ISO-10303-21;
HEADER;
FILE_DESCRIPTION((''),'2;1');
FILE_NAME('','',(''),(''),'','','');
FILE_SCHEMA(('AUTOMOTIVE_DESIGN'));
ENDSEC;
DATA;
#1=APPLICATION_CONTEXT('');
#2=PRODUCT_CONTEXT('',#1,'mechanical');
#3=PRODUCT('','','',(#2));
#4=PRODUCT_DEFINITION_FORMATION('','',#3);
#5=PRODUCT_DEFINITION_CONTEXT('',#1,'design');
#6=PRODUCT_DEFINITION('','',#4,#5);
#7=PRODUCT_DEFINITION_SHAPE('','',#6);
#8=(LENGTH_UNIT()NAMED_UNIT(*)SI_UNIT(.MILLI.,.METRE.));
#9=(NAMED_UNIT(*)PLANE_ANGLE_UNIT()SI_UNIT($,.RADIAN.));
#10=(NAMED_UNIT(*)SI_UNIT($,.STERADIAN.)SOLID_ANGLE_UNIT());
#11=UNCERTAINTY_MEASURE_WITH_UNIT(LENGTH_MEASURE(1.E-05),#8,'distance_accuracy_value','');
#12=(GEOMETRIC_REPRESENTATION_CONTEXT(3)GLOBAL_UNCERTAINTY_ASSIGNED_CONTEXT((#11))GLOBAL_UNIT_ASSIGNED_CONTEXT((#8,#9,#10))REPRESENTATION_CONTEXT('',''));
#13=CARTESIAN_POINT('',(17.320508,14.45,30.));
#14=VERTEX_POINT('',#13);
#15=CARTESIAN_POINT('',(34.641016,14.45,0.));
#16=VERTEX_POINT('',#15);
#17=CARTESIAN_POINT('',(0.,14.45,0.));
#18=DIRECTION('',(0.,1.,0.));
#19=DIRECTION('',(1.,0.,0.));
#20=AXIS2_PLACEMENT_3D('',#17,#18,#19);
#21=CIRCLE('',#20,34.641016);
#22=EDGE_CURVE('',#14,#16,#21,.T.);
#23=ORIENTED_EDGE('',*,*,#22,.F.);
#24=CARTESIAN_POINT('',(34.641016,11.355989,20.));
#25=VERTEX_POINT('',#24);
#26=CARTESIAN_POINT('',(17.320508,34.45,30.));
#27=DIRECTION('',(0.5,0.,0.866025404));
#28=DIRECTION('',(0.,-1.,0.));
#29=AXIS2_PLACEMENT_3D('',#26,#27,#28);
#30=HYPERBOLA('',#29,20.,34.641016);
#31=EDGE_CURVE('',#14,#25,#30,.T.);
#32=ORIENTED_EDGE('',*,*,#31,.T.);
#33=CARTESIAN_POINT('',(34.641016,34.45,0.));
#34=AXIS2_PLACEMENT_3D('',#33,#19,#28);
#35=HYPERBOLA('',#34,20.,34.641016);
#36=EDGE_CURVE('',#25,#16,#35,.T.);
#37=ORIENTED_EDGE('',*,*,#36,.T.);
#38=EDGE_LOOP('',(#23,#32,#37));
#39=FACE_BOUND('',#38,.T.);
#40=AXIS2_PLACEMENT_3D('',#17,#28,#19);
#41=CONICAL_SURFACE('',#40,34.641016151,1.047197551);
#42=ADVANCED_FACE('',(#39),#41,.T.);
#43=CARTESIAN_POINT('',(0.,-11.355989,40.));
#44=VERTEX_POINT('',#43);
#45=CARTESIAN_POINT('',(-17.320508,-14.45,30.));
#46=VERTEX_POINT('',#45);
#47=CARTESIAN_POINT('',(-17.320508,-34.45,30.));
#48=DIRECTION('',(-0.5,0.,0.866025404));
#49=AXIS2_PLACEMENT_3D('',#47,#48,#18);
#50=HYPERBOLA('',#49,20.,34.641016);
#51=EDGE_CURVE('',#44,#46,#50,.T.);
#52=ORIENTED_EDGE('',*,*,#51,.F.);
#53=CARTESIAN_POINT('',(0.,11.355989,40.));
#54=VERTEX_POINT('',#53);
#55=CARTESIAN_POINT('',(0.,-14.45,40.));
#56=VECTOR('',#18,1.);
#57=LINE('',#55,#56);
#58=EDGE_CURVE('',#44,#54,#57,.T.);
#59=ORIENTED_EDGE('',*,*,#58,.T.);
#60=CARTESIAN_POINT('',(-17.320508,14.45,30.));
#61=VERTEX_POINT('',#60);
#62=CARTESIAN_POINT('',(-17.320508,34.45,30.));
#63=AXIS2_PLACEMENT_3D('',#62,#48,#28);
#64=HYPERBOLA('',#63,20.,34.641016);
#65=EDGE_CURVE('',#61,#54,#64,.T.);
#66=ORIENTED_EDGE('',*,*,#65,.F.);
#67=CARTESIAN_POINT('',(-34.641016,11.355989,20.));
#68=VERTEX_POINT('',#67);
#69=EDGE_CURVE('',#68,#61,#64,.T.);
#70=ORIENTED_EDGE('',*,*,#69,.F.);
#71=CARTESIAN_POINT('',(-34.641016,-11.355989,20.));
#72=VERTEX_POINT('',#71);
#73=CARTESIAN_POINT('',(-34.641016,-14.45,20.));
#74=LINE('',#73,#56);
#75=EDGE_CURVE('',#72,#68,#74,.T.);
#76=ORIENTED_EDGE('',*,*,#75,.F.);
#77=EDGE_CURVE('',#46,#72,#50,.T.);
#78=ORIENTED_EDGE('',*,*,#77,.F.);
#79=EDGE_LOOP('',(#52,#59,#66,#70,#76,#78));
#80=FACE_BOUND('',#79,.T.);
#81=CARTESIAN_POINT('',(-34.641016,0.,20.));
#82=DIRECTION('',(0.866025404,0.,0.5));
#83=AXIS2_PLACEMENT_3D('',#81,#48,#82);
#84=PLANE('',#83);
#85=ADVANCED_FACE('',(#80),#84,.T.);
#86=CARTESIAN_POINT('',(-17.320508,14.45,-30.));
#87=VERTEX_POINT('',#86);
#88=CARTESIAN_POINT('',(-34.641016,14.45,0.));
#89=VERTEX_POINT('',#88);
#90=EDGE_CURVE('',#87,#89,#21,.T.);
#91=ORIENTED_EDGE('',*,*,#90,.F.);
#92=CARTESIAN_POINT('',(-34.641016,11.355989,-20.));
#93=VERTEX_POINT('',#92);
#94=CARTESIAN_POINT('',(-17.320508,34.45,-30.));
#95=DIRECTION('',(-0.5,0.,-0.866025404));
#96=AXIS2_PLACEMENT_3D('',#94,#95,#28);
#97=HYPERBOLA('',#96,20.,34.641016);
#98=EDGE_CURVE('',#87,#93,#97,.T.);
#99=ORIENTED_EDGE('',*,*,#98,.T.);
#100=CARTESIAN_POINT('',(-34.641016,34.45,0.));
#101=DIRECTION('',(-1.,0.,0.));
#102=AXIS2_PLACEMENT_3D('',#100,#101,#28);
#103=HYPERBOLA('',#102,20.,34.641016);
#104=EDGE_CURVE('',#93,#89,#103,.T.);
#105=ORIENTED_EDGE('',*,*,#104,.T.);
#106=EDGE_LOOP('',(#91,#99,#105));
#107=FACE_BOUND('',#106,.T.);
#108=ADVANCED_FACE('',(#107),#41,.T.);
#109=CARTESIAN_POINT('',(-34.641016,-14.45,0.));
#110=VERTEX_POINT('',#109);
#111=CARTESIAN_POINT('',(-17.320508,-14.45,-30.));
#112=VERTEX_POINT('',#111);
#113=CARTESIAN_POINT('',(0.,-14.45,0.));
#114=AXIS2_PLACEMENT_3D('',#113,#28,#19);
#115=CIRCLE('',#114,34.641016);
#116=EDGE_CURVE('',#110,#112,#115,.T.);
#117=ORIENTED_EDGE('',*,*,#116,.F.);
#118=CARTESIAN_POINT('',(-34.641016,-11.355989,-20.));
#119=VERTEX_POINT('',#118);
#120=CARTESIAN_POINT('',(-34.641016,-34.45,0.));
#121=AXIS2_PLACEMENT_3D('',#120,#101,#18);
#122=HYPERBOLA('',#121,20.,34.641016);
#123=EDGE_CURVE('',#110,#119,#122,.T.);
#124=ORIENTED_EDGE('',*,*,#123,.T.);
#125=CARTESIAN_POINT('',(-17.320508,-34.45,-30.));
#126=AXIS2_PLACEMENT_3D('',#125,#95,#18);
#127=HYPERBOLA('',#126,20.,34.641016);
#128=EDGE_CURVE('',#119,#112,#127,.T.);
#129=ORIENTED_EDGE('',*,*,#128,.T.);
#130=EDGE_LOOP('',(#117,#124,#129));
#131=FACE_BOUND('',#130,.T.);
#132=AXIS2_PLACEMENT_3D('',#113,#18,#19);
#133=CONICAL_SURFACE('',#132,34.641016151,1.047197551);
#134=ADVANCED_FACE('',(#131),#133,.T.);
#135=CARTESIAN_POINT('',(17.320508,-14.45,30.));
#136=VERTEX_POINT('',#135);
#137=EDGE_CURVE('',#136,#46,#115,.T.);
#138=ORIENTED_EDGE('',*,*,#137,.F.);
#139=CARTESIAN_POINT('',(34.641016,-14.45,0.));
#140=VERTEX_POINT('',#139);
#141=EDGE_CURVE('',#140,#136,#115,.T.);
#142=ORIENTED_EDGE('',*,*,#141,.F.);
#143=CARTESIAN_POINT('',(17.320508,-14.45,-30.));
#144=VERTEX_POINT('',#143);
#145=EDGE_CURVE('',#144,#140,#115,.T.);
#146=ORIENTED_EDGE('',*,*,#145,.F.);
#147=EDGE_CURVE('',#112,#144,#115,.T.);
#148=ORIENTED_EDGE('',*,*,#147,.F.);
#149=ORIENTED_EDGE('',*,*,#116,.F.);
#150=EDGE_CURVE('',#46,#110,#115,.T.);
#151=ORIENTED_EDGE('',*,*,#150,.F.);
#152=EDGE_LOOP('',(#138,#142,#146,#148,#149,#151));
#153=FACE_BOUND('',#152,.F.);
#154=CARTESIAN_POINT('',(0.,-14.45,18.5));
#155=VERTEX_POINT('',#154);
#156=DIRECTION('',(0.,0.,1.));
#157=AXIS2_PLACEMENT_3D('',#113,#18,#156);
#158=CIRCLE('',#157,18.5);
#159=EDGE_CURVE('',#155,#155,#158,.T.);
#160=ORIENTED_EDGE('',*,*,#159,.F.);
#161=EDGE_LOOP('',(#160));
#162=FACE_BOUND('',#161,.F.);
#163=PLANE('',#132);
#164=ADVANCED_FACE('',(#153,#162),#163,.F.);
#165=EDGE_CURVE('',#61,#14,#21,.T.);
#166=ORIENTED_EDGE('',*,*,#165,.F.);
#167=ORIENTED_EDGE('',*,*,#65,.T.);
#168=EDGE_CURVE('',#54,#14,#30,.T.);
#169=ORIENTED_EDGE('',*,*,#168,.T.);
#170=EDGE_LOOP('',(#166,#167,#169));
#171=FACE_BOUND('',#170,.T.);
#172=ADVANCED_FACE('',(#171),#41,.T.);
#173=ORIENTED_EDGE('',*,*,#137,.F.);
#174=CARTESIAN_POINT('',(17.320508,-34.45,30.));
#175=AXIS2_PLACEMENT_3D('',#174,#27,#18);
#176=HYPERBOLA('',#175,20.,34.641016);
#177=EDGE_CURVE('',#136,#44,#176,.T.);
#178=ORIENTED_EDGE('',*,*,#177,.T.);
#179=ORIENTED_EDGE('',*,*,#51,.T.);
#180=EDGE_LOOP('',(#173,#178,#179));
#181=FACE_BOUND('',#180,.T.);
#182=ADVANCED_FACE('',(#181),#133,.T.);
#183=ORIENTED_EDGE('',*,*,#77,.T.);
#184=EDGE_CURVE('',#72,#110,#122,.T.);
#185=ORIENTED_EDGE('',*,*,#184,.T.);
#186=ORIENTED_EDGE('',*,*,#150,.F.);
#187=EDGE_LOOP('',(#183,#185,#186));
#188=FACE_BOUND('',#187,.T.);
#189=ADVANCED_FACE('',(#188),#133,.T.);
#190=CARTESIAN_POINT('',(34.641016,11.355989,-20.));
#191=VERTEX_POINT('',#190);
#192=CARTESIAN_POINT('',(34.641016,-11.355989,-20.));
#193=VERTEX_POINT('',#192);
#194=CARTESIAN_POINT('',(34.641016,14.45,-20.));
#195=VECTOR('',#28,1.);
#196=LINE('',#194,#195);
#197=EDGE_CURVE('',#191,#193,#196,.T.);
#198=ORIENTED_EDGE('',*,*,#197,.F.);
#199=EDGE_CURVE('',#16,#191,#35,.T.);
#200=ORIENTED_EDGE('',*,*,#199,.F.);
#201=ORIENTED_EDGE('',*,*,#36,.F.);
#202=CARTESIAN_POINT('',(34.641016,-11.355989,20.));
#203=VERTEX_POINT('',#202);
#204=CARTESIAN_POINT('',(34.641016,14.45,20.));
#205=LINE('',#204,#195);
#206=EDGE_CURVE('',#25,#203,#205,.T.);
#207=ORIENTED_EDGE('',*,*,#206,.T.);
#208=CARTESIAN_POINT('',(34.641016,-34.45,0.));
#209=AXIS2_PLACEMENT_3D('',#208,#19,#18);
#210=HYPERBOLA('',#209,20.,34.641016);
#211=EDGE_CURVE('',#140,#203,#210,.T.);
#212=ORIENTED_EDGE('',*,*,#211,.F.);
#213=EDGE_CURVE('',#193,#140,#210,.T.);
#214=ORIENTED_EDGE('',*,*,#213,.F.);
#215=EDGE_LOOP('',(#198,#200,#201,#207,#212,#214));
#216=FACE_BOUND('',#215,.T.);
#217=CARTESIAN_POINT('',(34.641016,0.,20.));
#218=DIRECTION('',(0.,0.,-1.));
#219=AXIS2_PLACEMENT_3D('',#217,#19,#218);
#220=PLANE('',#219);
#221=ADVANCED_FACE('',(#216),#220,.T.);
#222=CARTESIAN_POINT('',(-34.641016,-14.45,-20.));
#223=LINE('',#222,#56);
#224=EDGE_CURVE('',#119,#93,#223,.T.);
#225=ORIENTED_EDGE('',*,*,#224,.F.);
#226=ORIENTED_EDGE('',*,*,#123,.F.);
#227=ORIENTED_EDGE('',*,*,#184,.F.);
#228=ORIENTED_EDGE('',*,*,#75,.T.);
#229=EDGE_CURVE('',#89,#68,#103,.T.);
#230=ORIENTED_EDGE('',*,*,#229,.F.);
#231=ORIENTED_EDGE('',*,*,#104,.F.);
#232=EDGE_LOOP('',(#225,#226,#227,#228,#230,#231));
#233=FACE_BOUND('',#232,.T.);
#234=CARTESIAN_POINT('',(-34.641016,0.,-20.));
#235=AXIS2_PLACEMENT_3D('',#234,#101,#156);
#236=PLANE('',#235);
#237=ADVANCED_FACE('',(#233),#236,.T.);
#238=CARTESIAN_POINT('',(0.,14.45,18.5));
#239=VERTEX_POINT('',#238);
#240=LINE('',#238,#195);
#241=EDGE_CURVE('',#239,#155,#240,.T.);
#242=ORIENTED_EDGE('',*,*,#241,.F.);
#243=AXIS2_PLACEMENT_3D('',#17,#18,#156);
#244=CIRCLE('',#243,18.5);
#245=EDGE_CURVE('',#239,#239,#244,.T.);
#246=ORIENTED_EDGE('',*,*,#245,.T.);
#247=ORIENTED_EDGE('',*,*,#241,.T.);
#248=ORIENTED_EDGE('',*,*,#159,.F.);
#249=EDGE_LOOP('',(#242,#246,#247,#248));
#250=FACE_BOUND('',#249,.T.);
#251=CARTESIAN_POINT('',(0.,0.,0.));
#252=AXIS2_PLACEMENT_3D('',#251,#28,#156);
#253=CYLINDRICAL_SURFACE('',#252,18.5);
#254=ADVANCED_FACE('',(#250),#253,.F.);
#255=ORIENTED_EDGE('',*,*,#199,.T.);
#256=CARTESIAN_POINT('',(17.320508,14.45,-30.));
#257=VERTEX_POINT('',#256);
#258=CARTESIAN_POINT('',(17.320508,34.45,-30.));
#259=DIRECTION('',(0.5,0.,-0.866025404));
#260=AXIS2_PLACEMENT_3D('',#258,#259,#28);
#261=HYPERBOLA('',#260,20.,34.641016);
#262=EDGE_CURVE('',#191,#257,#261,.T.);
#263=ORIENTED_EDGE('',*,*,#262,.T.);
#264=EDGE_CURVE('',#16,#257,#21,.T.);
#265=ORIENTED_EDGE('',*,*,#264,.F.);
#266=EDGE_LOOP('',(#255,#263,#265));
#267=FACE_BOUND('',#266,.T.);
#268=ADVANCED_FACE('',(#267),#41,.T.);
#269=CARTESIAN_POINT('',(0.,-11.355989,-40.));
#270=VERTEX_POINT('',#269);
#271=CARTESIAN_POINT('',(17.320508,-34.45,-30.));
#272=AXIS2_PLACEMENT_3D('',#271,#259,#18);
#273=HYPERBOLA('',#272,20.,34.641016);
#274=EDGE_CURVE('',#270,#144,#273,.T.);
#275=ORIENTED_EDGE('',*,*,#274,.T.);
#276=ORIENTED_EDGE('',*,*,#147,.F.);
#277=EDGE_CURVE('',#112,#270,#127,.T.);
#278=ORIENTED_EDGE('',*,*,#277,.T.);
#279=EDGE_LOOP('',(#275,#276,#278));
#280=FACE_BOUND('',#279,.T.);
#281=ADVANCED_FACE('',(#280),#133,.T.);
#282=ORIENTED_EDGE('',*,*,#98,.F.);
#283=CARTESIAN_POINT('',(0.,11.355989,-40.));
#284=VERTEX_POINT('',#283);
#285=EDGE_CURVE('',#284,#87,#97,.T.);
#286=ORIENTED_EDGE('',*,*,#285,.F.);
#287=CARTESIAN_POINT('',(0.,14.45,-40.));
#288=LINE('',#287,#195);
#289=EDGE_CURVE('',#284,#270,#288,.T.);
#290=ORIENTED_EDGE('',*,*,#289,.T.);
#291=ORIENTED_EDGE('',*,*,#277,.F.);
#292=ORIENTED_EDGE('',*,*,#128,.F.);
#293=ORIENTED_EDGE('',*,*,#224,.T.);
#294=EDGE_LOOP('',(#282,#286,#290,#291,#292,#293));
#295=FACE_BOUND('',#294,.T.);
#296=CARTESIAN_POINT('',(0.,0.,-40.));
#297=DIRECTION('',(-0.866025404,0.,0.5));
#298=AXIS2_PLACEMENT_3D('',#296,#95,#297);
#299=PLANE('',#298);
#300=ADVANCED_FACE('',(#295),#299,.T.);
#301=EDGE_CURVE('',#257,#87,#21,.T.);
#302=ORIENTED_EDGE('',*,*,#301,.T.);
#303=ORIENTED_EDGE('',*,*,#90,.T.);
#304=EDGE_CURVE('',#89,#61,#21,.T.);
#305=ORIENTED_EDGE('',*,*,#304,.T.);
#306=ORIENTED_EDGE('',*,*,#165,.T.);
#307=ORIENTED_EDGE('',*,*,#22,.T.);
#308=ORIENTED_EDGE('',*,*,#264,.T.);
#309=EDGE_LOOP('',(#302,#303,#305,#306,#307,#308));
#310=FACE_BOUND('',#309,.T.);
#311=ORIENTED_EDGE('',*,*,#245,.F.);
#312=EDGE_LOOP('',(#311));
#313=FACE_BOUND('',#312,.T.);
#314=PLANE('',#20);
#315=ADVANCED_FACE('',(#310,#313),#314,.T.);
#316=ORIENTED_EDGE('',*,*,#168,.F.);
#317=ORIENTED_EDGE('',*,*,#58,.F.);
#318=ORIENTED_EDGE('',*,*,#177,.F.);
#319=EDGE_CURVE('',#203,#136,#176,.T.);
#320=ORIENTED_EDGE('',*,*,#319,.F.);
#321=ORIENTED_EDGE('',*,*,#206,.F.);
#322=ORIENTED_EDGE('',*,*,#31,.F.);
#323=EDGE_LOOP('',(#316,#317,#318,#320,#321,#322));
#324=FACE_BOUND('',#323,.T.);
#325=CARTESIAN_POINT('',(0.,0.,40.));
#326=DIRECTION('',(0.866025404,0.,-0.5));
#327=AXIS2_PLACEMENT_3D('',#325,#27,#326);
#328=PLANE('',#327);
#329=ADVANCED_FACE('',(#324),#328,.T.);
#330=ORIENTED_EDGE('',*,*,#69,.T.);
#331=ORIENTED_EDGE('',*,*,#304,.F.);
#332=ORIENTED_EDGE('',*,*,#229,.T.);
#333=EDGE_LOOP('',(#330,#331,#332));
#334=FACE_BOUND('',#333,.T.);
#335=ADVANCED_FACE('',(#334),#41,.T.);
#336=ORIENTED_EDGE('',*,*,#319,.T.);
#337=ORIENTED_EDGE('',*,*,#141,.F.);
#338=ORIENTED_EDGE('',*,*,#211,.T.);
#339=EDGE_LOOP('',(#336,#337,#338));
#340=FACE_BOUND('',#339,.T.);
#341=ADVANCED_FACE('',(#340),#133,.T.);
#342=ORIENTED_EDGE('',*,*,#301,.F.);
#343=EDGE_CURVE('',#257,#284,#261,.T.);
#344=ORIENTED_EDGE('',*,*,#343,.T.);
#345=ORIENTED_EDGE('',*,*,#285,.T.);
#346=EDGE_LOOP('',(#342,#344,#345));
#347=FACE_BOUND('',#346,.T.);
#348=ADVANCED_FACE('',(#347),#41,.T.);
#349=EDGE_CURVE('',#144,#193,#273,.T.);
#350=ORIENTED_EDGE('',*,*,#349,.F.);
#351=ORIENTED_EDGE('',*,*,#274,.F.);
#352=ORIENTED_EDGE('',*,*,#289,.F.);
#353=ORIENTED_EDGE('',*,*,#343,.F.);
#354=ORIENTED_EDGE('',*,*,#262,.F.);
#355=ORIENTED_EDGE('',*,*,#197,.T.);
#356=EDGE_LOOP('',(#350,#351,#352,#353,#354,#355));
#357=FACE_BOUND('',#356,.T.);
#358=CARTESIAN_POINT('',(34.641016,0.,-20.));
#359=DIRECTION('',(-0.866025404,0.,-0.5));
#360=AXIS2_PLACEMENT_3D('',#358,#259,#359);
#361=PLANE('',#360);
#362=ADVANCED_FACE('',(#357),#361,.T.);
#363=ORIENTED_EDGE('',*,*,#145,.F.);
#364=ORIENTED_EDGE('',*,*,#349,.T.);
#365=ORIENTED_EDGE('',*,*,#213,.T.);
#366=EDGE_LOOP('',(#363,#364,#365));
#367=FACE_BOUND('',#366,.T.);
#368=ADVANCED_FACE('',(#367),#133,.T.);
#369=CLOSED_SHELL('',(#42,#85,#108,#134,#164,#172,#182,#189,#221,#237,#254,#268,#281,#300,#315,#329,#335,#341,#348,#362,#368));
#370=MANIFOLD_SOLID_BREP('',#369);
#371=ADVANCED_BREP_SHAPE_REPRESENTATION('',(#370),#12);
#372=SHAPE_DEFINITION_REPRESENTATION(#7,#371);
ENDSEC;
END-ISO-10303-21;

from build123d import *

# Parameters (mm, degrees)
SKETCH1_R               = 18.5
BOSS_EXTRUDE1_DEPTH     = 14.45
SKETCH2_OUTSIDE_W       = 305.548
SKETCH2_OUTSIDE_H       = 316.266
SKETCH2_OUTSIDE_R       = 34.641016151
CUT_EXTRUDE1_DEPTH      = 61.292702709
CUT_EXTRUDE1_DRAFT      = -60
MIRROR1_COPY_1_SKETCH_W = 305.548
MIRROR1_COPY_1_SKETCH_H = 316.266
MIRROR1_COPY_1_SKETCH_R = 34.641016151
MIRROR1_COPY_1_DEPTH    = 61.292702709
MIRROR1_COPY_1_DRAFT    = -60


with BuildPart() as part:
    # Sketch1 → Boss-Extrude1 (new, symmetric)
    with BuildSketch(Plane(origin=(0, 0, 0), x_dir=(1, 0, 0), z_dir=(0, 1, 0))):
        Polygon((0, 40), (-34.641016151, 20), (-34.641016151, -20), (0, -40), (34.641016151, -20), (34.641016151, 20), align=None)
        with Locations(Location((0, 0, 0), (0, 0, 270))):
            Circle(SKETCH1_R, mode=Mode.SUBTRACT)
    extrude(amount=BOSS_EXTRUDE1_DEPTH, both=True)


with BuildPart() as cut_extrude1_tool:
    # Sketch2 outside → Cut-Extrude1 (with draft: the straight prism first)
    with BuildSketch(Plane(origin=(0, 14.45, 0), x_dir=(1, 0, 0), z_dir=(0, 1, 0))):
        Rectangle(SKETCH2_OUTSIDE_W, SKETCH2_OUTSIDE_H)
        Circle(SKETCH2_OUTSIDE_R, mode=Mode.SUBTRACT)
    extrude(amount=-CUT_EXTRUDE1_DEPTH)
    # Cut-Extrude1: the draft: its side faces are tilted about the plane it starts from
    cut_extrude1_sides = [cut_extrude1_tool.faces().sort_by_distance(p)[0] for p in [
        (0, -16.196351355, 158.133),
        (152.774, -16.196351355, 0),
        (0, -16.196351355, -158.133),
        (-152.774, -16.196351355, 0),
        (-34.641016151, -16.196351355, 0),
    ]]
    draft(cut_extrude1_sides, Plane(origin=(0, 14.45, 0), x_dir=(1, 0, 0), z_dir=(0, 1, 0)), CUT_EXTRUDE1_DRAFT)


with BuildPart() as part_1:
    add(part.part)

    # Cut-Extrude1: cut by cut_extrude1_tool
    add(cut_extrude1_tool.part, mode=Mode.SUBTRACT)


with BuildPart() as mirror1_copy_1_tool:
    # Mirror1 copy 1 sketch → Mirror1 copy 1 (with draft: the straight prism first)
    with BuildSketch(Plane.XZ.offset(14.45)):
        Rectangle(MIRROR1_COPY_1_SKETCH_W, MIRROR1_COPY_1_SKETCH_H)
        Circle(MIRROR1_COPY_1_SKETCH_R, mode=Mode.SUBTRACT)
    extrude(amount=-MIRROR1_COPY_1_DEPTH)
    # Mirror1 copy 1: the draft: its side faces are tilted about the plane it starts from
    mirror1_copy_1_sides = [mirror1_copy_1_tool.faces().sort_by_distance(p)[0] for p in [
        (0, 16.196351355, 158.133),
        (152.774, 16.196351355, 0),
        (0, 16.196351355, -158.133),
        (-152.774, 16.196351355, 0),
        (-34.641016151, 16.196351355, 0),
    ]]
    draft(mirror1_copy_1_sides, Plane.XZ.offset(14.45), MIRROR1_COPY_1_DRAFT)


with BuildPart() as part_2:
    add(part_1.part)

    # Mirror1 copy 1: cut by mirror1_copy_1_tool
    add(mirror1_copy_1_tool.part, mode=Mode.SUBTRACT)


solid = part_2.part
